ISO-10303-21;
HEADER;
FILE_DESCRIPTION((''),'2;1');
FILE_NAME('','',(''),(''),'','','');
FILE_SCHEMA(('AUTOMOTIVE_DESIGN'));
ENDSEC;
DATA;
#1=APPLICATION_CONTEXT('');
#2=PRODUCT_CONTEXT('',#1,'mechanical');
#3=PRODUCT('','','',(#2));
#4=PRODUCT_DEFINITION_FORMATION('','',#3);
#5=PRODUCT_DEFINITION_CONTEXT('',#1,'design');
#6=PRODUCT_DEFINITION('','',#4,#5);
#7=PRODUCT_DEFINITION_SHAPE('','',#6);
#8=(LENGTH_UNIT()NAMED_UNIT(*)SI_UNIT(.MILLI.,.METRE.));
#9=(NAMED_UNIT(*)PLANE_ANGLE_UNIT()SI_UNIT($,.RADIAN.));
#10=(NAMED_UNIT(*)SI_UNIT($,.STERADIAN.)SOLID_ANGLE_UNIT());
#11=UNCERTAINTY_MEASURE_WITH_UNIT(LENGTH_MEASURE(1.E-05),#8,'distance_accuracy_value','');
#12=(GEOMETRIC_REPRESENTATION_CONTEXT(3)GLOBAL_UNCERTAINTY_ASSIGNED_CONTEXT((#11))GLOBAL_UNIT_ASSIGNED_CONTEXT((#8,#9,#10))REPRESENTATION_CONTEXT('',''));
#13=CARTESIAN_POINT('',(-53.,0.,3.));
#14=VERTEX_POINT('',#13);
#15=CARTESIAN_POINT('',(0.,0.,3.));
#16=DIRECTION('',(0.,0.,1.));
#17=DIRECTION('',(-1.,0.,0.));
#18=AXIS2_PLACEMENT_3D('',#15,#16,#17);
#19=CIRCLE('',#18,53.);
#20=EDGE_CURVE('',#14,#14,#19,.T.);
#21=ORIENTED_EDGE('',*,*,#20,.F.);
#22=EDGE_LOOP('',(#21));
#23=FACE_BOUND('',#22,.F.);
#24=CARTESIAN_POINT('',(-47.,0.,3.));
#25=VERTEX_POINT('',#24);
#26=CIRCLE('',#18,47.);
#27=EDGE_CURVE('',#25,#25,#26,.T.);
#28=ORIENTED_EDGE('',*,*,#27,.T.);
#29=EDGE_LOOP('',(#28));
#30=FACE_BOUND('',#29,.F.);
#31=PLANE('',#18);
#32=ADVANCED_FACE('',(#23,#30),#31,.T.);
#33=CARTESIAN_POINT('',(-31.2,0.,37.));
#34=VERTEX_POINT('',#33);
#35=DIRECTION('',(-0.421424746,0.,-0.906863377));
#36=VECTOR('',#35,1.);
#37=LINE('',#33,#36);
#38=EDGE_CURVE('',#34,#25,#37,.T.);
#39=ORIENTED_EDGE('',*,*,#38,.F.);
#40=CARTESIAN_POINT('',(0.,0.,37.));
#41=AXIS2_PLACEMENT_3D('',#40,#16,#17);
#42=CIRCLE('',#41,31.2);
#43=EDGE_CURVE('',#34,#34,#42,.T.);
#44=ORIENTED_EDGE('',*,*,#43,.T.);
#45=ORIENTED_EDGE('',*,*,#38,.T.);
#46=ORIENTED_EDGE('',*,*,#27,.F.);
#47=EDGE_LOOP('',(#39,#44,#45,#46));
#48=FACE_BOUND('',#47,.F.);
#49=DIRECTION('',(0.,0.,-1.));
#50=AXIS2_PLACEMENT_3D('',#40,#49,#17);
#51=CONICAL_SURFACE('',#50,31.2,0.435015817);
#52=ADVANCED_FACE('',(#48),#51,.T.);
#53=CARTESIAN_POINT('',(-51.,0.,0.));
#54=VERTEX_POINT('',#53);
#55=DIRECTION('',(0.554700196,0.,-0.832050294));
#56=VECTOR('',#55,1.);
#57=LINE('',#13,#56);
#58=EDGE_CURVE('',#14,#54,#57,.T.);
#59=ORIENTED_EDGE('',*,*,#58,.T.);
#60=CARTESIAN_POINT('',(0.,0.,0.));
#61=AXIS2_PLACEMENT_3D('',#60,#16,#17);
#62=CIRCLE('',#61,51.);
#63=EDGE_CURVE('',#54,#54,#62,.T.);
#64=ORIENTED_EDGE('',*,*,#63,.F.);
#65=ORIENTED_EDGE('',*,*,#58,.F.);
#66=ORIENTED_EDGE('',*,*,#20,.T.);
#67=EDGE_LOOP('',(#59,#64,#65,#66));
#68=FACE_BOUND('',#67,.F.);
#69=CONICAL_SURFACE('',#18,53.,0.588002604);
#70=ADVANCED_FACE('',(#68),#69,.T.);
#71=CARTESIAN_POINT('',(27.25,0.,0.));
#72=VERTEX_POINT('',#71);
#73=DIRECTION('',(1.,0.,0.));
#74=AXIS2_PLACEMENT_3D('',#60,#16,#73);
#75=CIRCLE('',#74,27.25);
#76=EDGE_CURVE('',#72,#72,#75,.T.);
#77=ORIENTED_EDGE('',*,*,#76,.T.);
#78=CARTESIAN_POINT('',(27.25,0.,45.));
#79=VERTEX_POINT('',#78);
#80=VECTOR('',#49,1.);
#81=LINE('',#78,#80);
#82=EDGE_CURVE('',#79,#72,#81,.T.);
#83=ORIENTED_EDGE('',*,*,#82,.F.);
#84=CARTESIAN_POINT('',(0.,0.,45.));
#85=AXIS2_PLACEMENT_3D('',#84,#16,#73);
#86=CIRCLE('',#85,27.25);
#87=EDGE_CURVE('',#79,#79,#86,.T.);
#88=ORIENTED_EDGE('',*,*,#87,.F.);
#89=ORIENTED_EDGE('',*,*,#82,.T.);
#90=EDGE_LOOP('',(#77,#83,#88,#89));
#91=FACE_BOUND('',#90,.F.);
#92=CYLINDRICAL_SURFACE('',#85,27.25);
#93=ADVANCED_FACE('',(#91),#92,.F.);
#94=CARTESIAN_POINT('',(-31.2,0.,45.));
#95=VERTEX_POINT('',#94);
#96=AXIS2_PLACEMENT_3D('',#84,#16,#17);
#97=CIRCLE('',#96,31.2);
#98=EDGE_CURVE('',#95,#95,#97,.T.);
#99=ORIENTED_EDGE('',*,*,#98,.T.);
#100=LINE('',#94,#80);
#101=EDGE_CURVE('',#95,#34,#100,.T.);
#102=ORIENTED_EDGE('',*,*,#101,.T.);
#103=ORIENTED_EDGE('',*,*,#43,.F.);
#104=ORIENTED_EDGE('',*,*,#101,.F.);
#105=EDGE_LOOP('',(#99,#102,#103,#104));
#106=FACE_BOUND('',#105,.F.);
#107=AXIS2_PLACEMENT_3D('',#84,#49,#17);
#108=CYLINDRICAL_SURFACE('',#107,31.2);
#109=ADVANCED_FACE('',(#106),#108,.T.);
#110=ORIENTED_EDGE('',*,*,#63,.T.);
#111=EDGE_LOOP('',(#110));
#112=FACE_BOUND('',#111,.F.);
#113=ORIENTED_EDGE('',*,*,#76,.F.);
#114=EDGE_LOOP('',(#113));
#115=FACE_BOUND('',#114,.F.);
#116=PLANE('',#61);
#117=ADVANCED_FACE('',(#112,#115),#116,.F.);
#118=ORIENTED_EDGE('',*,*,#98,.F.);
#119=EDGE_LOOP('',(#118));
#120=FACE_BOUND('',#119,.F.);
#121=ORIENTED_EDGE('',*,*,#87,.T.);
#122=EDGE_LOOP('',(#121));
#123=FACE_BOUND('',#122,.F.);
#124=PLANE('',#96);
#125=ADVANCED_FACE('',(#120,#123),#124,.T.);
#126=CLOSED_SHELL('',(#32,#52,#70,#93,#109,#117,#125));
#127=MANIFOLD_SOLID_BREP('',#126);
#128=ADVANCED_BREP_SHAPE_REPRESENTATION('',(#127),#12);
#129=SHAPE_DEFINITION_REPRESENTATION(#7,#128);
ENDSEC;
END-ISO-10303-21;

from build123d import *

# Parameters (mm, degrees)
F2_R     = 27.25
F3_DEPTH = 45.001


with BuildPart() as f1:
    # F0 (on Front) → F1 (revolve)
    with BuildSketch(Plane.XZ):
        Polygon((-51, 0), (0, 0), (0, 45), (-31.2, 45), (-31.2, 37), (-47, 3), (-53, 3), align=None)
    revolve(axis=Axis((0, 0, 22.5), (0, 0, 1)))

    # F2 (on face) → F3 (cut, through all)
    with BuildSketch(Plane.XY.offset(45)):
        Circle(F2_R)
    extrude(amount=-F3_DEPTH, mode=Mode.SUBTRACT)


solid = f1.part
